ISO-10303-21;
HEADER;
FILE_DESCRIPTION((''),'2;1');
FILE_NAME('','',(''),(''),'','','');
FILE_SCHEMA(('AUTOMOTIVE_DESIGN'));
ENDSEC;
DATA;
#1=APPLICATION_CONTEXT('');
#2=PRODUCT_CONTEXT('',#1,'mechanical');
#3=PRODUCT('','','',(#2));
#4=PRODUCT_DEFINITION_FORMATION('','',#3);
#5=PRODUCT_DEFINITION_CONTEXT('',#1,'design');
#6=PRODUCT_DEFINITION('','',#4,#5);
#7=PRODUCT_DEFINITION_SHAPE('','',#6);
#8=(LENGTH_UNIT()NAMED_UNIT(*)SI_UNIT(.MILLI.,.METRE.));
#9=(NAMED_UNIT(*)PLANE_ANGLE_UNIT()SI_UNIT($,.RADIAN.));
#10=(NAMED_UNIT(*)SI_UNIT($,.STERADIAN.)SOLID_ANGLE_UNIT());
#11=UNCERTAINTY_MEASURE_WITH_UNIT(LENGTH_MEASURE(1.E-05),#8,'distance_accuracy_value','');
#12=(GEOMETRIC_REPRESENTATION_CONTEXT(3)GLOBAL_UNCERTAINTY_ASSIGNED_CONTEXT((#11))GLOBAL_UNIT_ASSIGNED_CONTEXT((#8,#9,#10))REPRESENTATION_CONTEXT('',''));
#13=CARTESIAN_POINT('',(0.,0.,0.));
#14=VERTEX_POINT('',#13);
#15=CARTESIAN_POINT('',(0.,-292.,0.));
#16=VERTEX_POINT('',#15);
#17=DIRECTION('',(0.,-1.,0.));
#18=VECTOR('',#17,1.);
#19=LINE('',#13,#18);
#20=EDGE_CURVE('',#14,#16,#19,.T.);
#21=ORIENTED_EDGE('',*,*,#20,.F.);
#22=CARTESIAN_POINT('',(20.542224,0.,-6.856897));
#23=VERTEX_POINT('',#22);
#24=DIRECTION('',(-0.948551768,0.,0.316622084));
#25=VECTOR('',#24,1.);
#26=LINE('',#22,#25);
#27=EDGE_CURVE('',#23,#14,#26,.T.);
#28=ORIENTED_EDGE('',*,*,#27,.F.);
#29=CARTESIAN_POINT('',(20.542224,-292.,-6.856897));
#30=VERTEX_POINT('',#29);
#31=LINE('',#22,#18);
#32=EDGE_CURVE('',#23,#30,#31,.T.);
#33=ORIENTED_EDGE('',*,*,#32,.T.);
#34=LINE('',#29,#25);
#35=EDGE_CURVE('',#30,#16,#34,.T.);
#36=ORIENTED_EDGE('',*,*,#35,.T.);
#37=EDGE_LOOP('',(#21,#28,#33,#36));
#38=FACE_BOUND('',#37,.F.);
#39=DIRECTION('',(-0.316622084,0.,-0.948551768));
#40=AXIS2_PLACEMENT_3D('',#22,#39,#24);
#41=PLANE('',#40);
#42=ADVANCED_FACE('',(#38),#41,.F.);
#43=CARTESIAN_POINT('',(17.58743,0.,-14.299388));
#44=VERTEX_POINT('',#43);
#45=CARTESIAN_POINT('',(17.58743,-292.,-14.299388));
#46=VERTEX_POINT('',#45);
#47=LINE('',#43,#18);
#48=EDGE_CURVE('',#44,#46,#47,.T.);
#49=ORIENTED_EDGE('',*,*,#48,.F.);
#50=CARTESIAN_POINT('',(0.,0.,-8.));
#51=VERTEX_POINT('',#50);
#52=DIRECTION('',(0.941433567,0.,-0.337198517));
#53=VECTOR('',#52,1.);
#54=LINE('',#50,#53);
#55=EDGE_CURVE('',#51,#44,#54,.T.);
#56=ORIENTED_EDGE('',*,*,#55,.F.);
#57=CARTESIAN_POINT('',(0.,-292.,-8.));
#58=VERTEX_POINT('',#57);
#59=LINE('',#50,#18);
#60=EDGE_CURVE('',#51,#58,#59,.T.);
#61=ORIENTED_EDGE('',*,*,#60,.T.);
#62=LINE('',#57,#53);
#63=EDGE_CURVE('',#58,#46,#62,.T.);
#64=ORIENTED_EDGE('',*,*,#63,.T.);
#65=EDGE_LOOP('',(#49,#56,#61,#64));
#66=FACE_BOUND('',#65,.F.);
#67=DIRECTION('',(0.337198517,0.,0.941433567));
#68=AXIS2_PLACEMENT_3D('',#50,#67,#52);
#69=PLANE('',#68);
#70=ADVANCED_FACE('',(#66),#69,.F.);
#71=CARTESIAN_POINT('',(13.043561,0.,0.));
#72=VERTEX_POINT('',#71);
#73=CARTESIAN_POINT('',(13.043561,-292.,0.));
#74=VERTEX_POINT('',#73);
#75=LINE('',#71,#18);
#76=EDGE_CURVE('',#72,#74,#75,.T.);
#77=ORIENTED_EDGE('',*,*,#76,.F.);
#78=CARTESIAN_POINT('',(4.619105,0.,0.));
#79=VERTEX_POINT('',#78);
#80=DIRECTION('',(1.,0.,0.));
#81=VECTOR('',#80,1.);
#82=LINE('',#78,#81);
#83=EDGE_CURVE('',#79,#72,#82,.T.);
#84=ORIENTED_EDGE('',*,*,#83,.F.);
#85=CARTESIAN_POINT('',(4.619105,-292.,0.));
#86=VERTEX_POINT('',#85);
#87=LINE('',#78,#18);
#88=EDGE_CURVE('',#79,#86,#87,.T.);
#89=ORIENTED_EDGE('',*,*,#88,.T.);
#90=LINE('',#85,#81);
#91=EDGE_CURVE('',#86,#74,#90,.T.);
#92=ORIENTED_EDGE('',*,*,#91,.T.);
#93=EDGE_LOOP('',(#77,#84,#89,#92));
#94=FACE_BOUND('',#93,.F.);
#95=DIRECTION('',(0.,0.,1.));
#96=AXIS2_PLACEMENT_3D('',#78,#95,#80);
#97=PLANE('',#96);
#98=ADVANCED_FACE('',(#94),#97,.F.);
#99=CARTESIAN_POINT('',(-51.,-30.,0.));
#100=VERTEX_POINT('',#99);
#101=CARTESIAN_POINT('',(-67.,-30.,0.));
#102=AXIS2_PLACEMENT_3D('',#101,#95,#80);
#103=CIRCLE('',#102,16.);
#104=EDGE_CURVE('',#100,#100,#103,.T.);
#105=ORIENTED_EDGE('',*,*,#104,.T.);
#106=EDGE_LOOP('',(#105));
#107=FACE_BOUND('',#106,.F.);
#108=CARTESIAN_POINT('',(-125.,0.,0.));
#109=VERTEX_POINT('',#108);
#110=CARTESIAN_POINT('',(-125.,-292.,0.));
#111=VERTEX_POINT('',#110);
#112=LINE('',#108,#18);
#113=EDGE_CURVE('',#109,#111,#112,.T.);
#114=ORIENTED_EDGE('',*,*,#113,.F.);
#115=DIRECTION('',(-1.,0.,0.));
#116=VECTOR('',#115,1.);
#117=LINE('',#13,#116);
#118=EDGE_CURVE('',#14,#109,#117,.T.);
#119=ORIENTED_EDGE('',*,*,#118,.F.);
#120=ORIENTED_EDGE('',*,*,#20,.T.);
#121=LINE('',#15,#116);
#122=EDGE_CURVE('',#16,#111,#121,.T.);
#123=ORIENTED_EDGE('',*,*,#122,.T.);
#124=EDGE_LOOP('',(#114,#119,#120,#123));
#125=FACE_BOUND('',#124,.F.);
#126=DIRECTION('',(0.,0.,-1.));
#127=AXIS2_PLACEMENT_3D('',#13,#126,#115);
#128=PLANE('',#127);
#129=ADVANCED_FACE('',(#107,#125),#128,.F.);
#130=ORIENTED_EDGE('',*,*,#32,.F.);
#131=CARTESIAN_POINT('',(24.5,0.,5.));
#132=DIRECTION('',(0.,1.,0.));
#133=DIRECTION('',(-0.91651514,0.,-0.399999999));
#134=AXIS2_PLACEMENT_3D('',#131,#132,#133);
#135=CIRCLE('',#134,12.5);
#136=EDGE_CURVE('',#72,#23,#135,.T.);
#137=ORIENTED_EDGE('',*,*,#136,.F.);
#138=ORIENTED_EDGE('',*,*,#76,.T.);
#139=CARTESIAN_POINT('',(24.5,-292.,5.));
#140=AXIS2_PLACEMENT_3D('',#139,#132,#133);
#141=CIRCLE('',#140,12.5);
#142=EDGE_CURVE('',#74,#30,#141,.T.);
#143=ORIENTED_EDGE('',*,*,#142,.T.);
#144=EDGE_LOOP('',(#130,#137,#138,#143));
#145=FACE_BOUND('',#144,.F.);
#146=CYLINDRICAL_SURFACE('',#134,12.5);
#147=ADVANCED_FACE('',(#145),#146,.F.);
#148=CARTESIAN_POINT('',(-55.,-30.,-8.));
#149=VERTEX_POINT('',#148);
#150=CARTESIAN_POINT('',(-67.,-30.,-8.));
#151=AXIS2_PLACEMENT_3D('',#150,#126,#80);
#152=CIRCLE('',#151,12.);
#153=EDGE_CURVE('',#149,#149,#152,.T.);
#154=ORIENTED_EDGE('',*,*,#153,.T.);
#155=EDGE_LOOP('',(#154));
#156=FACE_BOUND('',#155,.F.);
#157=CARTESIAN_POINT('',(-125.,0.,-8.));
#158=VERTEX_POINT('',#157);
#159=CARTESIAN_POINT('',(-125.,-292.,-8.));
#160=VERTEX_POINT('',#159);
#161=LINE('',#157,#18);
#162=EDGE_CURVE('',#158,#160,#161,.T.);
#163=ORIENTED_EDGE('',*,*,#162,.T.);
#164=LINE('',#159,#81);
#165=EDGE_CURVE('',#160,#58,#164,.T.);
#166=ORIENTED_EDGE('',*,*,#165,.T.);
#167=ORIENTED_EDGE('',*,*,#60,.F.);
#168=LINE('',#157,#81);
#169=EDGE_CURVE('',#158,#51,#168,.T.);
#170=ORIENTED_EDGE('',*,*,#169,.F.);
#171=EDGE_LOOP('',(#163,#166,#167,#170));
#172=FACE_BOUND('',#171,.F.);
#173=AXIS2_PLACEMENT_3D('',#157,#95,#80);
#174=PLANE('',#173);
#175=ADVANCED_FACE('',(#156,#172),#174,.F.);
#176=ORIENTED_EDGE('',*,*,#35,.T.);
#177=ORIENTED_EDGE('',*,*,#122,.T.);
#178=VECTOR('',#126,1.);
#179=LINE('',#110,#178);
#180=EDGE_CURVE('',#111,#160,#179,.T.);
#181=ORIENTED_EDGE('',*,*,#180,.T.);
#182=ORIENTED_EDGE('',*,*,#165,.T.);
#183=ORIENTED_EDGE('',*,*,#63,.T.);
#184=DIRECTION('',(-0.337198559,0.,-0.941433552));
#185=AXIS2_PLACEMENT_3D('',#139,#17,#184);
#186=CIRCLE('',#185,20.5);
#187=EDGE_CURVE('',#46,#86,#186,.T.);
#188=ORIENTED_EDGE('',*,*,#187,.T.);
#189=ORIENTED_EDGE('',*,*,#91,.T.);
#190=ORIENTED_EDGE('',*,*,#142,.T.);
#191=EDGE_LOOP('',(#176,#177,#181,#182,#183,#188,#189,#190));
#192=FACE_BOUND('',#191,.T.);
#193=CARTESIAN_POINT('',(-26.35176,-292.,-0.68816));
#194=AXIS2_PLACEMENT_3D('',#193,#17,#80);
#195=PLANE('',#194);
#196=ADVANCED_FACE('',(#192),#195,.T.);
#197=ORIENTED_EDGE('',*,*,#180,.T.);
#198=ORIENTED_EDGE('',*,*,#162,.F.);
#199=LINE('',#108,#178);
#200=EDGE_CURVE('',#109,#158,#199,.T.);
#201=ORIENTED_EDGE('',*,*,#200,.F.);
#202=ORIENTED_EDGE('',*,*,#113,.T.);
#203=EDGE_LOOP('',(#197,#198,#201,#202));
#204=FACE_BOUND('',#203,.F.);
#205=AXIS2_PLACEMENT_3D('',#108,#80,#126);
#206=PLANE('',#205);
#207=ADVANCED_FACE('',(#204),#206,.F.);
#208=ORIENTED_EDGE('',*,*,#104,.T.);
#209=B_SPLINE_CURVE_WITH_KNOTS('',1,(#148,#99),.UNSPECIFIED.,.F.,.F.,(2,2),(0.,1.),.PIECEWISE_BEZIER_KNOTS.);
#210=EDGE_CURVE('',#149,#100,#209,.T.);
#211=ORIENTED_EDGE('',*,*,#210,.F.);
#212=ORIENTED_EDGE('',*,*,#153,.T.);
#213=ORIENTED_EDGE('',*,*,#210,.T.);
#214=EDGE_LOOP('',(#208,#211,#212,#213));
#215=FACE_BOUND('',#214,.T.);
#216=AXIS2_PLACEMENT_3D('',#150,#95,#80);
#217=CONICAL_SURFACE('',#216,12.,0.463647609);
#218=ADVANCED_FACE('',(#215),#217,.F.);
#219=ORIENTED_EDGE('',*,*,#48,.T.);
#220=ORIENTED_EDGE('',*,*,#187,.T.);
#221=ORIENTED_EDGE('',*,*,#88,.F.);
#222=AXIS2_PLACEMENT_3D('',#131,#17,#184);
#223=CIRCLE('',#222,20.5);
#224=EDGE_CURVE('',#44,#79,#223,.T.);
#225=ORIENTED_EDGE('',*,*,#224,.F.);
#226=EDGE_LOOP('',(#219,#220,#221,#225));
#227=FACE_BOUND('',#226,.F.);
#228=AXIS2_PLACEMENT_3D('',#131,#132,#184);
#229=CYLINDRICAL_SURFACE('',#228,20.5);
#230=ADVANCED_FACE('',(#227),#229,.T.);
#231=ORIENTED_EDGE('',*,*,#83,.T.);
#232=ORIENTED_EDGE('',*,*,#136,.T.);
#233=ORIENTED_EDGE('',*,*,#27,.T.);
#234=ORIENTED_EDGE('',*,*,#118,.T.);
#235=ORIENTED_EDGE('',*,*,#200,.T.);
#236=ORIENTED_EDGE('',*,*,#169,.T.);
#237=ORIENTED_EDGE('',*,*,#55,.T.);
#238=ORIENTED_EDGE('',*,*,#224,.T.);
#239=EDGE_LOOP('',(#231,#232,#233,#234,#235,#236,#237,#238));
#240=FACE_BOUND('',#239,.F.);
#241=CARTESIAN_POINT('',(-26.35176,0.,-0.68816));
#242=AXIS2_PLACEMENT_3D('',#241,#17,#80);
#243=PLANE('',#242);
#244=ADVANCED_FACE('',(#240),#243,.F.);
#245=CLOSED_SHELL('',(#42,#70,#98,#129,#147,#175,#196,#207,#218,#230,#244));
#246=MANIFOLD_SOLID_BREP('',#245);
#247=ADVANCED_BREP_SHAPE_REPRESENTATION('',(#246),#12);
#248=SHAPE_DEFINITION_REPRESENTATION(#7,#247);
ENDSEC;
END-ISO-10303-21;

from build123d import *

# Parameters (mm, degrees)
F1_DEPTH = 292
F3_R     = 12
F2_R     = 16


with BuildPart() as f1:
    # F0 (on Front) → F1 (new body)
    with BuildSketch(Plane.XZ):
        with BuildLine():
            Line((20.542224, -6.856897), (0, 0))
            Line((0, 0), (-125, 0))
            Line((-125, 0), (-125, -8))
            Line((-125, -8), (0, -8))
            Line((0, -8), (17.58743, -14.299388))
            ThreePointArc((17.58743, -14.299388), (39.685209, 18.77169), (4.619105, 0))
            Line((4.619105, 0), (13.043561, 0))
            ThreePointArc((13.043561, 0), (32.935269, 14.224762), (20.542224, -6.856897))
        make_face()
    extrude(amount=F1_DEPTH)

    # F3 (on face) → F4 section 0
    with BuildSketch(Plane(origin=(0, 0, -8), x_dir=(1, 0, 0), z_dir=(0, 0, -1))):
        with Locations((-67, 30)):
            Circle(F3_R)
    # F2 (on face) → F4 section 1
    with BuildSketch(Plane.XY):
        with Locations((-67, -30)):
            Circle(F2_R)
    loft(mode=Mode.SUBTRACT)


solid = f1.part
